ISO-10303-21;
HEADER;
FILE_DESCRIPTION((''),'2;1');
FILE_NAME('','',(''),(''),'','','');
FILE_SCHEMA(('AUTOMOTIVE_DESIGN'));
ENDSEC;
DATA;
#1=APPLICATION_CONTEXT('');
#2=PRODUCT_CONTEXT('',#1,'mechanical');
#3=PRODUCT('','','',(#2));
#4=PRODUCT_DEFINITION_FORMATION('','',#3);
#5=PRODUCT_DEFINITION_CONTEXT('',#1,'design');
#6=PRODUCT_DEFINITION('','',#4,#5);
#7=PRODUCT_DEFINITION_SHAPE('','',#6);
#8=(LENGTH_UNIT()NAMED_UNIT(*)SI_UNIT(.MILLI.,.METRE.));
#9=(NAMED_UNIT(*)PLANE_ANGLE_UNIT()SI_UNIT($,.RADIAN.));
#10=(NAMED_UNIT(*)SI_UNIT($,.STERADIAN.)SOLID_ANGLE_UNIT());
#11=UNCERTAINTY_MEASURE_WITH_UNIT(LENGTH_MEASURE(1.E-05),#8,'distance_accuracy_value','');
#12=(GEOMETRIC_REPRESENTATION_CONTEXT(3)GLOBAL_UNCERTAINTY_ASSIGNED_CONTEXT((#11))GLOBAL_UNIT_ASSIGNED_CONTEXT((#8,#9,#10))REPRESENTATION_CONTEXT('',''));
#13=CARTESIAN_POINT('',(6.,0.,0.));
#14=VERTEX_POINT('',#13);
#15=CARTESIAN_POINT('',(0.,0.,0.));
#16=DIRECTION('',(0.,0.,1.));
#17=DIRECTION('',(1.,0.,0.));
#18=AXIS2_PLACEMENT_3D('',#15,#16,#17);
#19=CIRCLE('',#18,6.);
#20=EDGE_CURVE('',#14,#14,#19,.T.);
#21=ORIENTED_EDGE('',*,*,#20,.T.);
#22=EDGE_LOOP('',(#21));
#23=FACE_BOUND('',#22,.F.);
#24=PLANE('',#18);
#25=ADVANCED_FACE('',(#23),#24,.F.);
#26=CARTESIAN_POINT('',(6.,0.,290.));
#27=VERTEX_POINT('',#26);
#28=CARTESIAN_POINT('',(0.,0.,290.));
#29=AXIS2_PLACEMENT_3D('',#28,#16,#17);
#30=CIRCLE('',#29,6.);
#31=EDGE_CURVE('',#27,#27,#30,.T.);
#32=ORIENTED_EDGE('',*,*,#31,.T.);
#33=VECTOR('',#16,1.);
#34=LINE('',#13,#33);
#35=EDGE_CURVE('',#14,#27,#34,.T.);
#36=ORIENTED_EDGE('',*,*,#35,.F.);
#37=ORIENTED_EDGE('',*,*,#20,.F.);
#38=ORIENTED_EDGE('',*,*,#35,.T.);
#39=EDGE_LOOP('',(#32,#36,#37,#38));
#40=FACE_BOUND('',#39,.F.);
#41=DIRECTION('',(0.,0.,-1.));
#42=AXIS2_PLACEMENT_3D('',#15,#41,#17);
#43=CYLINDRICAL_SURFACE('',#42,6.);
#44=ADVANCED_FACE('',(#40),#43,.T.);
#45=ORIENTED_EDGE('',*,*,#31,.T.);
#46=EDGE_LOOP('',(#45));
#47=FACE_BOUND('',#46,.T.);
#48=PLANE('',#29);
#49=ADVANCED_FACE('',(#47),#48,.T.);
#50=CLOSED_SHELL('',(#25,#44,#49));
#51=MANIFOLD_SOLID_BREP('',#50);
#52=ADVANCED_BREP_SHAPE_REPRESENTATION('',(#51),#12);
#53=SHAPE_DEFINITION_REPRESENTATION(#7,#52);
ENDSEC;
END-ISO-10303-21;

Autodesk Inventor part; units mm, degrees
ref_plane "YZ Plane" through (0, 0, 0) normal (1, 0, 0) x (0, 1, 0)
ref_plane "XZ Plane" through (0, 0, 0) normal (0, 1, 0) x (-1, 0, 0)
ref_plane "XY Plane" through (0, 0, 0) normal (0, 0, 1) x (1, 0, 0)
sketch "Sketch1" plane through (0, 0, 0) normal (0, 0, 1) x (1, 0, 0)
  circle A0 centre (0, 0) radius 6
  dimension "d0" = 12
extrude "Extrusion1" add sketch "Sketch1" along normal blind 290
properties part number "Truc phi 12 dai 290"
